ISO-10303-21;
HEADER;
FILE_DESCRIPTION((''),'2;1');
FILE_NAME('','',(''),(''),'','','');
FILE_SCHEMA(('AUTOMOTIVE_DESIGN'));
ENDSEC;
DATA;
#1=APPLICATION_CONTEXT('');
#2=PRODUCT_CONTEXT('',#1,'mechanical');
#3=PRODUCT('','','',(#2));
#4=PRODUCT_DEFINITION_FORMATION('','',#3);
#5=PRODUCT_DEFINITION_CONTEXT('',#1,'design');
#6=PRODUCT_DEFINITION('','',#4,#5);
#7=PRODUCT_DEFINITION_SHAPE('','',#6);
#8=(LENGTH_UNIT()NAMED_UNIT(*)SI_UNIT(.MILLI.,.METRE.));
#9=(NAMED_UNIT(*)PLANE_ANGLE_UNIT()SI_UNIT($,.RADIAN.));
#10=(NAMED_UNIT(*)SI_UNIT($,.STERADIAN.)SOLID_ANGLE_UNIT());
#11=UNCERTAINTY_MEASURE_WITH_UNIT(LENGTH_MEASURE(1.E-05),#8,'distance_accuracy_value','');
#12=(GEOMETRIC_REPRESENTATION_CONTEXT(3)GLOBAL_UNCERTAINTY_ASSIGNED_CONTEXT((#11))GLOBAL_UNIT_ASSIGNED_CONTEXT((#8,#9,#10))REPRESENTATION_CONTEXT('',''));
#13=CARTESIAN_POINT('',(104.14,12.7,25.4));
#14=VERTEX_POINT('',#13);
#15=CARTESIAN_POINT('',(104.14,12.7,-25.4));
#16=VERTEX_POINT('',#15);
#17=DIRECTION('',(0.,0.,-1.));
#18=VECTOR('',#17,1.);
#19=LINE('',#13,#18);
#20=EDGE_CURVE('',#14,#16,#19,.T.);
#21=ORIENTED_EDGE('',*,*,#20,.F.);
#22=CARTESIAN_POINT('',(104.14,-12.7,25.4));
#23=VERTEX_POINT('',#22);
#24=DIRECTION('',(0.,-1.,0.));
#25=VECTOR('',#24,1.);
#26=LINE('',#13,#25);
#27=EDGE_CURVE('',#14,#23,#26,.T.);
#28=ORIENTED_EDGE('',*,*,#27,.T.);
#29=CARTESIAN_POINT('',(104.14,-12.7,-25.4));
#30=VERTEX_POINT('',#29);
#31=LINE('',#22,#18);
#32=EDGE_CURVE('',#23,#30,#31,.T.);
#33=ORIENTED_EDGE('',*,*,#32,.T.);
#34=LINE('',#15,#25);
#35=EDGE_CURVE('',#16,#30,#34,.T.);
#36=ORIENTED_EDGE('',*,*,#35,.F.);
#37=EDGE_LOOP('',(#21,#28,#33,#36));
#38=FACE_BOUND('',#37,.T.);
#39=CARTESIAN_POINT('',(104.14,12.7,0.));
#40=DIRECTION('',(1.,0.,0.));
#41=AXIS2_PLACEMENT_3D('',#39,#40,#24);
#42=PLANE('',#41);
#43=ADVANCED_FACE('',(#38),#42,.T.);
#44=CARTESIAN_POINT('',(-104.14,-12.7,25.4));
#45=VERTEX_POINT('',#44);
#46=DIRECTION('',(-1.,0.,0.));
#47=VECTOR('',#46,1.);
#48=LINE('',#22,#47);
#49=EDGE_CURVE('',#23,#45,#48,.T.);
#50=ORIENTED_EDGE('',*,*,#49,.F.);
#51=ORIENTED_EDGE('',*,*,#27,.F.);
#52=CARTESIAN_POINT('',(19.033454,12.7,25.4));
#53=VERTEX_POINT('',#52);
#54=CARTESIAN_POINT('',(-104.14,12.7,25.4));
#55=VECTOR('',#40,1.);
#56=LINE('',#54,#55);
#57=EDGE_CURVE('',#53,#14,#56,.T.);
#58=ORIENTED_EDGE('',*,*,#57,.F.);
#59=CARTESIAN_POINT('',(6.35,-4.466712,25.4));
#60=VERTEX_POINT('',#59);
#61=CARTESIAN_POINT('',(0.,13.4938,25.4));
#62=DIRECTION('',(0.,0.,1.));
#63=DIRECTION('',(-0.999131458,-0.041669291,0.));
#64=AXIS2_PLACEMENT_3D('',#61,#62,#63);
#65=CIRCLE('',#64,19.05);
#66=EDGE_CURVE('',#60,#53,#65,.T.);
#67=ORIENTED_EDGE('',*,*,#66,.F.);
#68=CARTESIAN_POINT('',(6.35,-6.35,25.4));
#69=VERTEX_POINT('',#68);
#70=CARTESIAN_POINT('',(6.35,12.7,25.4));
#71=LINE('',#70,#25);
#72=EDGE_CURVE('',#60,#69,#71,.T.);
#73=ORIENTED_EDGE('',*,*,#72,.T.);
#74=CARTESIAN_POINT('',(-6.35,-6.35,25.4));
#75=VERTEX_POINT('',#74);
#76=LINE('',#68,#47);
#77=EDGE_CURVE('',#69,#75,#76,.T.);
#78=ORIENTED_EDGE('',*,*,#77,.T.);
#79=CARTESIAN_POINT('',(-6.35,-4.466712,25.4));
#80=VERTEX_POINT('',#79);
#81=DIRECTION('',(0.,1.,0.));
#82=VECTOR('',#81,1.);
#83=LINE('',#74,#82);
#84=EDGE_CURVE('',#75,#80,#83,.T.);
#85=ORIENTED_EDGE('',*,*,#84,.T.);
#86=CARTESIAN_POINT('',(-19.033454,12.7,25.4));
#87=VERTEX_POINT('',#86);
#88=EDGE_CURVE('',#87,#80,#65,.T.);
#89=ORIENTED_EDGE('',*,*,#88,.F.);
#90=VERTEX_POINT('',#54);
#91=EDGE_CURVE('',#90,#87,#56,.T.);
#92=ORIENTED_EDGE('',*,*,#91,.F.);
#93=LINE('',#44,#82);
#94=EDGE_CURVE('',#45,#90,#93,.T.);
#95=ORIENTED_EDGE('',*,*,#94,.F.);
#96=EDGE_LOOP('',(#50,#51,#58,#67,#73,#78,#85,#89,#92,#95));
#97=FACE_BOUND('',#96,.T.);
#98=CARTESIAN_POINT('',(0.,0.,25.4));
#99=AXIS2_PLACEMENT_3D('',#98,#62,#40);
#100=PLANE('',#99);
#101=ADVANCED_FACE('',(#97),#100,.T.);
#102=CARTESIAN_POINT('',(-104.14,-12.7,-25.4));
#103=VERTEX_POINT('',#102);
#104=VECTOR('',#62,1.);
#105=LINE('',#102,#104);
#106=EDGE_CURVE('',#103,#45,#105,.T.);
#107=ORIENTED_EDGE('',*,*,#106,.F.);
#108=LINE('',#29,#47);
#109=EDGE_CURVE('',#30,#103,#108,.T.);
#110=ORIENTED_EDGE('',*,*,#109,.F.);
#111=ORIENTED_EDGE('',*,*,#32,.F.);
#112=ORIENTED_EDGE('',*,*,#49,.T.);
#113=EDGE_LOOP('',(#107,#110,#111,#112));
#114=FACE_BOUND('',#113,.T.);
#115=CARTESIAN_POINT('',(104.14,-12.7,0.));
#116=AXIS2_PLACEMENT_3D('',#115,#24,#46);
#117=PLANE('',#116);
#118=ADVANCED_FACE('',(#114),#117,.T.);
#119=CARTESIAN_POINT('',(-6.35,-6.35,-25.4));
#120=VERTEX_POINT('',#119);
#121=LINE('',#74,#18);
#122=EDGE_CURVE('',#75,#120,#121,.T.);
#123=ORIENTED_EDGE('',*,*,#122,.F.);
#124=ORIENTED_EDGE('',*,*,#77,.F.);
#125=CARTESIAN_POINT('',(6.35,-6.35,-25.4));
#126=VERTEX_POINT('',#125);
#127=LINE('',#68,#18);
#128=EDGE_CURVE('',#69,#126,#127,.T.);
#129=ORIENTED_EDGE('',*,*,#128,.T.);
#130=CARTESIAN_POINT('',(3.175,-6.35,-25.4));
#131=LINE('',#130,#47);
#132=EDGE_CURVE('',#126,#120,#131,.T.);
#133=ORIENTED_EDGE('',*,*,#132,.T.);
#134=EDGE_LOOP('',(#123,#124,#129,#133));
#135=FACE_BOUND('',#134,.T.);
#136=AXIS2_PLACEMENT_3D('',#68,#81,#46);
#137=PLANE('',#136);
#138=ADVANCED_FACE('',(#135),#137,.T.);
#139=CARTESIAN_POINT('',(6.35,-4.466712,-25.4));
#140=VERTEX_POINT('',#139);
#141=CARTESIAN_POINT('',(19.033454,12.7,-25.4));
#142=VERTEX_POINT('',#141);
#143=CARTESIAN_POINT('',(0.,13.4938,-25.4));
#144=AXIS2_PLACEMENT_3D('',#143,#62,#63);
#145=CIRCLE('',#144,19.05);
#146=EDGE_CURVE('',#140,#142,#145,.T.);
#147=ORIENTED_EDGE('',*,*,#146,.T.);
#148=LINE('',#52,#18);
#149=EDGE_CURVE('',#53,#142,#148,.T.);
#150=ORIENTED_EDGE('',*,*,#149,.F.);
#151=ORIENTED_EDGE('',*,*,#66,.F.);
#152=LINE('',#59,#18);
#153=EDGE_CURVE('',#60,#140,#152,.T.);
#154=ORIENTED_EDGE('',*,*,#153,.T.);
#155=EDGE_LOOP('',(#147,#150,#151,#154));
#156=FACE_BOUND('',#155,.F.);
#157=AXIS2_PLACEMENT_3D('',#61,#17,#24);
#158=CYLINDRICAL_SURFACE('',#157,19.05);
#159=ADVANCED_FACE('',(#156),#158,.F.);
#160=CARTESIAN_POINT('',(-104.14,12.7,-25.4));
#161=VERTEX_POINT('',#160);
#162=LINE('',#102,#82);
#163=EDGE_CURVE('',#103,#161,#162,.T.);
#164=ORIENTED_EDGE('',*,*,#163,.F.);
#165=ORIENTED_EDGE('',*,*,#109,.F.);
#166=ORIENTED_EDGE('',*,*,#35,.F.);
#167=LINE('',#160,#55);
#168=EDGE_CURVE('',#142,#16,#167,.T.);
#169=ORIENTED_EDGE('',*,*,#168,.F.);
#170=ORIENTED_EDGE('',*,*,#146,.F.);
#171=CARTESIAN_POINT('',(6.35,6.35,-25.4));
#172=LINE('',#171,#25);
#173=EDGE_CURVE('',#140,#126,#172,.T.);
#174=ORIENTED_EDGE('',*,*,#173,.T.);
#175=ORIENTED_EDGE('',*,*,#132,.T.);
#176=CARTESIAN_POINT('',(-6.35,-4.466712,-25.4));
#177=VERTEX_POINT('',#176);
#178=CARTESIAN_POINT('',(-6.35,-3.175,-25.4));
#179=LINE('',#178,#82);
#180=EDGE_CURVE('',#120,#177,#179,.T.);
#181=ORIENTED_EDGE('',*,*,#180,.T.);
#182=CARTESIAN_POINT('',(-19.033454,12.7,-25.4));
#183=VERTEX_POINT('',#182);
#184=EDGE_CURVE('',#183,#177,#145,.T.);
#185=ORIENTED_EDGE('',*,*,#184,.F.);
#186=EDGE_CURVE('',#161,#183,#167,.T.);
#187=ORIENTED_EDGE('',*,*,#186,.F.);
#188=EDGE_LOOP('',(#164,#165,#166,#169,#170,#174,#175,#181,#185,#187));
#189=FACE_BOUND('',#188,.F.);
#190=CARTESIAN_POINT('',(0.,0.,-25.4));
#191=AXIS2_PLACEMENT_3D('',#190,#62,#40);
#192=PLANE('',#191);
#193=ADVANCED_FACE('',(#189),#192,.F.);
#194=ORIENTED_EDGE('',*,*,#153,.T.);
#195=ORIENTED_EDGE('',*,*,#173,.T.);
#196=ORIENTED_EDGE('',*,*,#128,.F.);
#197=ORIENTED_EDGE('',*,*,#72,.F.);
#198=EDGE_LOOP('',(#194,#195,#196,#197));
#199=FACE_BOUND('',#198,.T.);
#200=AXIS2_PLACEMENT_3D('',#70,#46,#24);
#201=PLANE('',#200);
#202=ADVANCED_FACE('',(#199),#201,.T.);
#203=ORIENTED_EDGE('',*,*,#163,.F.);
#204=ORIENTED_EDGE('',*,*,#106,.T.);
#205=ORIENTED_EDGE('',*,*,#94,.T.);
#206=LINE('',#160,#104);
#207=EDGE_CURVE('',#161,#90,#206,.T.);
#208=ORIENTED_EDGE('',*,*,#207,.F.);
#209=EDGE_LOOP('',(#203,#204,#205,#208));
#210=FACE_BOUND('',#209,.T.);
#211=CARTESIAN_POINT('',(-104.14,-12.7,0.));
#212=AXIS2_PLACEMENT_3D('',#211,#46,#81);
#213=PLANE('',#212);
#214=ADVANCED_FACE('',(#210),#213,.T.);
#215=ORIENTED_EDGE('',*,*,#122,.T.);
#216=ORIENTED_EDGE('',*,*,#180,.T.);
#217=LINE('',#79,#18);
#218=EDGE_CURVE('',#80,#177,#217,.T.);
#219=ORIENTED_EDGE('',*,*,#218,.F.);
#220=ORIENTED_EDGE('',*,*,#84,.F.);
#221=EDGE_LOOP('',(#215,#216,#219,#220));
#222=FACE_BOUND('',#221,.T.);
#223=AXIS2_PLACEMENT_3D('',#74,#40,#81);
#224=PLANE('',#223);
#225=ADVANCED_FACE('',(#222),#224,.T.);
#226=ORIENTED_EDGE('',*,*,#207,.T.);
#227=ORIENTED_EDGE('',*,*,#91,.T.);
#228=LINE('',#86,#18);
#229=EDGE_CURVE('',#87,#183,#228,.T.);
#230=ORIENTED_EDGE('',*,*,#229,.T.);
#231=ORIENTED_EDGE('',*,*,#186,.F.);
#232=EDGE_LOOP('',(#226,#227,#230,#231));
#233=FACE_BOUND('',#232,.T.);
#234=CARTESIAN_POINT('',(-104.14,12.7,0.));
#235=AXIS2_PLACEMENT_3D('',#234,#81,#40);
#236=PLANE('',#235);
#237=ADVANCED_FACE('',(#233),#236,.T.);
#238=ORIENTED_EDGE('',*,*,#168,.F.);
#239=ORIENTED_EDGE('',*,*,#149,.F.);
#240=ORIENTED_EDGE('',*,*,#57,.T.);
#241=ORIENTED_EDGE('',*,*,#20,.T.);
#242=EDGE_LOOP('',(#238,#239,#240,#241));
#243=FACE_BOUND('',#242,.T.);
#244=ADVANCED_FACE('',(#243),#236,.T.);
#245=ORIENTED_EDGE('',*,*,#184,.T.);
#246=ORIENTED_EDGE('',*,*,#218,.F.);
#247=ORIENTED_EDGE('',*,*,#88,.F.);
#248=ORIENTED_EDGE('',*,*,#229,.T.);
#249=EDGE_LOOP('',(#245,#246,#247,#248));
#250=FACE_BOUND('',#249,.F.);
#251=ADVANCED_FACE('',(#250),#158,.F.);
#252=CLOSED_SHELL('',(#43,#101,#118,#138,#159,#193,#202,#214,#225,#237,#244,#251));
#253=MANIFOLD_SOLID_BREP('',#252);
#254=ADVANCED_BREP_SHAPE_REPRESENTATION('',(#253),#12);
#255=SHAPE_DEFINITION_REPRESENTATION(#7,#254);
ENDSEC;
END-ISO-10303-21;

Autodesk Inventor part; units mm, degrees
ref_plane "YZ Plane" through (0, 0, 0) normal (1, 0, 0) x (0, 1, 0)
ref_plane "XZ Plane" through (0, 0, 0) normal (0, 1, 0) x (-1, 0, 0)
ref_plane "XY Plane" through (0, 0, 0) normal (0, 0, 1) x (1, 0, 0)
sketch "Sketch1" plane through (0, 0, 0) normal (0, 0, 1) x (1, 0, 0)
  line L0 (-104.14, 12.7) -> (104.14, 12.7)
  line L1 (104.14, 12.7) -> (104.14, -12.7)
  line L2 (104.14, -12.7) -> (-104.14, -12.7)
  line L3 (-104.14, -12.7) -> (-104.14, 12.7)
  line L4 (-104.14, 12.7) -> (104.14, -12.7) construction
  line L5 (104.14, 12.7) -> (-104.14, -12.7) construction
  point P0 (0, 0)
  dimension "d0" = 208.28
  dimension "d1" = 25.4
extrude "Extrusion1" add sketch "Sketch1" along normal mid plane 50.8
sketch "Sketch2" plane through (0, 0, 25.4) normal (0, 0, 1) x (1, 0, 0)
  line L0 (-104.14, 12.7) -> (-104.14, -12.7) projected
  line L1 (-104.14, -12.7) -> (104.14, -12.7) projected
  point P0 (0, 0)
  point P1 (0, 13.4938)
  dimension "d5" = 104.14
  dimension "d13" = 26.1938
hole "Hole1" at (0, 13.4938, 25.4) direction (0, 0, -1) diameter 38.1 end through all
sketch "Sketch3" plane through (0, 0, 25.4) normal (0, 0, 1) x (1, 0, 0)
  line L0 (-6.35, 12.7) -> (6.35, 12.7)
  line L1 (6.35, 12.7) -> (6.35, -6.35)
  line L2 (6.35, -6.35) -> (-6.35, -6.35)
  line L3 (-6.35, -6.35) -> (-6.35, 12.7)
  line L4 (104.14, 12.7) -> (19.0335, 12.7) projected
  line L5 (-104.14, 12.7) -> (-104.14, -12.7) projected
  point P0 (0, 0)
  dimension "d14" = 19.05
  dimension "d15" = 19.05
  dimension "d16" = 12.7
  dimension "d17" = 97.79
extrude "Extrusion2" cut sketch "Sketch3" against normal through all
equation "\"d0\" = kn_wid"
equation "\"d1\" = kn_hei"
equation "\"d2\" = kn_len"
equation "\"d5\" = 0.5 * kn_wid"
equation "\"d13\" = kn_hei + kn_hole_offset"
equation "\"d6\" = kn_hole_diam"
equation "\"d14\" = kn_groove_hei"
equation "\"d15\" = kn_groove_hei"
equation "\"d16\" = kn_groove_wid"
equation "\"d17\" = 0.5 * kn_wid - 0.5 * kn_groove_wid"
equation "\"kn_wid\" = 208.28"
equation "\"kn_hei\" = 25.4"
equation "\"kn_len\" = 50.8"
equation "\"kn_hole_diam\" = 38.1"
equation "\"kn_groove_hei\" = 19.05"
equation "\"kn_groove_wid\" = 12.7"
equation "\"kn_hole_offset\" = 0.79375"
properties part number "kfnmount" material "Aluminum 6061"
